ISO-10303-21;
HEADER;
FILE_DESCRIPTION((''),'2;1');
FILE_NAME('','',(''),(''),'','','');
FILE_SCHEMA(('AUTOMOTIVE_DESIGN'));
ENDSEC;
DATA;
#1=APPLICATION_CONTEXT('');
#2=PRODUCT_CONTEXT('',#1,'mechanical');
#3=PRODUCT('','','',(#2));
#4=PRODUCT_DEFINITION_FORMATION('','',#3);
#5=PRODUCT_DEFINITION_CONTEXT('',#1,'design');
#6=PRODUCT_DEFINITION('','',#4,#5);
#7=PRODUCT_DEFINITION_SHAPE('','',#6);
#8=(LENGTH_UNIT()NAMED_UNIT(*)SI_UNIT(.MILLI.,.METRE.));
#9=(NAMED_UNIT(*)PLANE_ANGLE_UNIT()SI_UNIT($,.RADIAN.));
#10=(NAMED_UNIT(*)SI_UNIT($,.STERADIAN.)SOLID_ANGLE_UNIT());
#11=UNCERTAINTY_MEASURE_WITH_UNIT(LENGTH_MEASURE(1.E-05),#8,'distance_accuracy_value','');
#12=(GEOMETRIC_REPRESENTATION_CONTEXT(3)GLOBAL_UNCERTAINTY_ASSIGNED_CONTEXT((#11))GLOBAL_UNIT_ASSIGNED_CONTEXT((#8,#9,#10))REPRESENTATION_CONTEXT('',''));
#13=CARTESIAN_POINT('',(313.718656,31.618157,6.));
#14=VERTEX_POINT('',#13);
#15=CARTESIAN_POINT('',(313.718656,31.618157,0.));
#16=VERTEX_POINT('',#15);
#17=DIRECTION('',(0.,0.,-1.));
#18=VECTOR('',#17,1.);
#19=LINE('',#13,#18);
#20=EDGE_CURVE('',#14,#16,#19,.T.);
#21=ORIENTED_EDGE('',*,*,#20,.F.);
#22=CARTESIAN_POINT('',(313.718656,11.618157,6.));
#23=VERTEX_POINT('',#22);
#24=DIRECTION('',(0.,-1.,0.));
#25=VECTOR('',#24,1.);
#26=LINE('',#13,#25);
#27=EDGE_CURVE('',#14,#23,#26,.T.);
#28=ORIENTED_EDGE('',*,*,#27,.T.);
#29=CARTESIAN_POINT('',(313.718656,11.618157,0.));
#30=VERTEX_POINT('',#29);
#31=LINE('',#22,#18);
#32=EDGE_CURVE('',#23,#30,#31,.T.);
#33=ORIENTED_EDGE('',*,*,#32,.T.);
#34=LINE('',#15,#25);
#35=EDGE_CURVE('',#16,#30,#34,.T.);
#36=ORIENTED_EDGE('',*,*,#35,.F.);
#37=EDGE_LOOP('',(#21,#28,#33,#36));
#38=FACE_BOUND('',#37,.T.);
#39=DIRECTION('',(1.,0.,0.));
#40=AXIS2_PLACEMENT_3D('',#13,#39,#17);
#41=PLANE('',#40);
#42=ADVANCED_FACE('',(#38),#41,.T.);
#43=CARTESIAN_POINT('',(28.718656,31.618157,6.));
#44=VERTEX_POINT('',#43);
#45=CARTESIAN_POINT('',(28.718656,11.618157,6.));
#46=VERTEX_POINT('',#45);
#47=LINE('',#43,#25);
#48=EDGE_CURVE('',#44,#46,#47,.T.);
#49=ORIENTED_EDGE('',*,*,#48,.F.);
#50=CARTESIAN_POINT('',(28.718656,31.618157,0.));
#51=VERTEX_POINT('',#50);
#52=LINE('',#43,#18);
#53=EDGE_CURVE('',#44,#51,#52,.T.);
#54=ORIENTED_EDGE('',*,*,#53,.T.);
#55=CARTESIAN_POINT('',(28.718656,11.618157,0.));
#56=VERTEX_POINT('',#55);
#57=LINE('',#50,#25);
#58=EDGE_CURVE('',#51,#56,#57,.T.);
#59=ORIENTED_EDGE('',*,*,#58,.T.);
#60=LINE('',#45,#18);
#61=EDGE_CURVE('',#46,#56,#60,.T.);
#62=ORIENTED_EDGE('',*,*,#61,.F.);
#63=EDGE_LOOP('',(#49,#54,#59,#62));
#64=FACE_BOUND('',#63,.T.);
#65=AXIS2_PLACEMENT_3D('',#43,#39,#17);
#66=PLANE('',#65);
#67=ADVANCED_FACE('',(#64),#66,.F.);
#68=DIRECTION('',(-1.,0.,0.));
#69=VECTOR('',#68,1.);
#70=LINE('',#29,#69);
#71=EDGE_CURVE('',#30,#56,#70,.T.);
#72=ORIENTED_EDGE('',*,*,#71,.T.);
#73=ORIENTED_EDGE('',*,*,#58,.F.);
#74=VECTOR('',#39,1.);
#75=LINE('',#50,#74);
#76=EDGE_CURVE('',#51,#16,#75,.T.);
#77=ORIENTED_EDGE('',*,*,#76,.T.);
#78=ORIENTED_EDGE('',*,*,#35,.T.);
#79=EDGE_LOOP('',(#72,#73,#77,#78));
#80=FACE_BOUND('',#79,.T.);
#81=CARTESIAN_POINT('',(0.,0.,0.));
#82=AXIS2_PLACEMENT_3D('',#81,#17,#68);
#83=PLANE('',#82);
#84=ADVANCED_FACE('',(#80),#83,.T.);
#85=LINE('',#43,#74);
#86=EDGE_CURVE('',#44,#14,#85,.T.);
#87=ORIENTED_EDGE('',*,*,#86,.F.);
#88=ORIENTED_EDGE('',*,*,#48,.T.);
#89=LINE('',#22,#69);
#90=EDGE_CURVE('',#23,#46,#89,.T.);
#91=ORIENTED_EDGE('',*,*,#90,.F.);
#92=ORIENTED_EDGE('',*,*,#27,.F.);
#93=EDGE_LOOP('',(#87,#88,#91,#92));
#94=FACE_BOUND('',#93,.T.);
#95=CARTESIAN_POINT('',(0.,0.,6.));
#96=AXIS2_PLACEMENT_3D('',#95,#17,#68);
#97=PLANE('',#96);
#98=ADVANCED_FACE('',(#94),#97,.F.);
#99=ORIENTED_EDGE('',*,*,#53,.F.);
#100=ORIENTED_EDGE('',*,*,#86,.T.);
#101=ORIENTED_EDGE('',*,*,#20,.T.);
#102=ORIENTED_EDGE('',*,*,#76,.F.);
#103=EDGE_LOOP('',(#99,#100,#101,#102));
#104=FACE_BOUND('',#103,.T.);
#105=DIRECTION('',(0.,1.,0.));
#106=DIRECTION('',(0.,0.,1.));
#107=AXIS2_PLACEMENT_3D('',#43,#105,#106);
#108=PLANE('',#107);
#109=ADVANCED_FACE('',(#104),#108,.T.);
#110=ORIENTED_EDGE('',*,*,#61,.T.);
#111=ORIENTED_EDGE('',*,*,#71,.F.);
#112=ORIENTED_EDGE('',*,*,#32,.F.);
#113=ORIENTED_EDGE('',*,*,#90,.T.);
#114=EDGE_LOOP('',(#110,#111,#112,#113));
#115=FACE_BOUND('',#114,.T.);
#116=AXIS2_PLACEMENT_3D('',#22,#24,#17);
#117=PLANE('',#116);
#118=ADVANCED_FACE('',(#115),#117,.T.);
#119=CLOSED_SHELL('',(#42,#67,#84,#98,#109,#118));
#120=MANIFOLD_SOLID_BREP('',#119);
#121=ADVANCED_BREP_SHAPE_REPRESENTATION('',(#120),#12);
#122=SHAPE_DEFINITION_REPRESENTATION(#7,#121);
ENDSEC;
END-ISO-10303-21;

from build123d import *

# Parameters (mm, degrees)
MODEL_W             = 285
MODEL_H             = 20
BOSS_EXTRUDE1_DEPTH = 6


with BuildPart() as part:
    # Model → Boss-Extrude1 (new body)
    with BuildSketch(Plane.XY):
        with Locations((171.218655551, 21.618157131)):
            Rectangle(MODEL_W, MODEL_H)
    extrude(amount=BOSS_EXTRUDE1_DEPTH)


solid = part.part
